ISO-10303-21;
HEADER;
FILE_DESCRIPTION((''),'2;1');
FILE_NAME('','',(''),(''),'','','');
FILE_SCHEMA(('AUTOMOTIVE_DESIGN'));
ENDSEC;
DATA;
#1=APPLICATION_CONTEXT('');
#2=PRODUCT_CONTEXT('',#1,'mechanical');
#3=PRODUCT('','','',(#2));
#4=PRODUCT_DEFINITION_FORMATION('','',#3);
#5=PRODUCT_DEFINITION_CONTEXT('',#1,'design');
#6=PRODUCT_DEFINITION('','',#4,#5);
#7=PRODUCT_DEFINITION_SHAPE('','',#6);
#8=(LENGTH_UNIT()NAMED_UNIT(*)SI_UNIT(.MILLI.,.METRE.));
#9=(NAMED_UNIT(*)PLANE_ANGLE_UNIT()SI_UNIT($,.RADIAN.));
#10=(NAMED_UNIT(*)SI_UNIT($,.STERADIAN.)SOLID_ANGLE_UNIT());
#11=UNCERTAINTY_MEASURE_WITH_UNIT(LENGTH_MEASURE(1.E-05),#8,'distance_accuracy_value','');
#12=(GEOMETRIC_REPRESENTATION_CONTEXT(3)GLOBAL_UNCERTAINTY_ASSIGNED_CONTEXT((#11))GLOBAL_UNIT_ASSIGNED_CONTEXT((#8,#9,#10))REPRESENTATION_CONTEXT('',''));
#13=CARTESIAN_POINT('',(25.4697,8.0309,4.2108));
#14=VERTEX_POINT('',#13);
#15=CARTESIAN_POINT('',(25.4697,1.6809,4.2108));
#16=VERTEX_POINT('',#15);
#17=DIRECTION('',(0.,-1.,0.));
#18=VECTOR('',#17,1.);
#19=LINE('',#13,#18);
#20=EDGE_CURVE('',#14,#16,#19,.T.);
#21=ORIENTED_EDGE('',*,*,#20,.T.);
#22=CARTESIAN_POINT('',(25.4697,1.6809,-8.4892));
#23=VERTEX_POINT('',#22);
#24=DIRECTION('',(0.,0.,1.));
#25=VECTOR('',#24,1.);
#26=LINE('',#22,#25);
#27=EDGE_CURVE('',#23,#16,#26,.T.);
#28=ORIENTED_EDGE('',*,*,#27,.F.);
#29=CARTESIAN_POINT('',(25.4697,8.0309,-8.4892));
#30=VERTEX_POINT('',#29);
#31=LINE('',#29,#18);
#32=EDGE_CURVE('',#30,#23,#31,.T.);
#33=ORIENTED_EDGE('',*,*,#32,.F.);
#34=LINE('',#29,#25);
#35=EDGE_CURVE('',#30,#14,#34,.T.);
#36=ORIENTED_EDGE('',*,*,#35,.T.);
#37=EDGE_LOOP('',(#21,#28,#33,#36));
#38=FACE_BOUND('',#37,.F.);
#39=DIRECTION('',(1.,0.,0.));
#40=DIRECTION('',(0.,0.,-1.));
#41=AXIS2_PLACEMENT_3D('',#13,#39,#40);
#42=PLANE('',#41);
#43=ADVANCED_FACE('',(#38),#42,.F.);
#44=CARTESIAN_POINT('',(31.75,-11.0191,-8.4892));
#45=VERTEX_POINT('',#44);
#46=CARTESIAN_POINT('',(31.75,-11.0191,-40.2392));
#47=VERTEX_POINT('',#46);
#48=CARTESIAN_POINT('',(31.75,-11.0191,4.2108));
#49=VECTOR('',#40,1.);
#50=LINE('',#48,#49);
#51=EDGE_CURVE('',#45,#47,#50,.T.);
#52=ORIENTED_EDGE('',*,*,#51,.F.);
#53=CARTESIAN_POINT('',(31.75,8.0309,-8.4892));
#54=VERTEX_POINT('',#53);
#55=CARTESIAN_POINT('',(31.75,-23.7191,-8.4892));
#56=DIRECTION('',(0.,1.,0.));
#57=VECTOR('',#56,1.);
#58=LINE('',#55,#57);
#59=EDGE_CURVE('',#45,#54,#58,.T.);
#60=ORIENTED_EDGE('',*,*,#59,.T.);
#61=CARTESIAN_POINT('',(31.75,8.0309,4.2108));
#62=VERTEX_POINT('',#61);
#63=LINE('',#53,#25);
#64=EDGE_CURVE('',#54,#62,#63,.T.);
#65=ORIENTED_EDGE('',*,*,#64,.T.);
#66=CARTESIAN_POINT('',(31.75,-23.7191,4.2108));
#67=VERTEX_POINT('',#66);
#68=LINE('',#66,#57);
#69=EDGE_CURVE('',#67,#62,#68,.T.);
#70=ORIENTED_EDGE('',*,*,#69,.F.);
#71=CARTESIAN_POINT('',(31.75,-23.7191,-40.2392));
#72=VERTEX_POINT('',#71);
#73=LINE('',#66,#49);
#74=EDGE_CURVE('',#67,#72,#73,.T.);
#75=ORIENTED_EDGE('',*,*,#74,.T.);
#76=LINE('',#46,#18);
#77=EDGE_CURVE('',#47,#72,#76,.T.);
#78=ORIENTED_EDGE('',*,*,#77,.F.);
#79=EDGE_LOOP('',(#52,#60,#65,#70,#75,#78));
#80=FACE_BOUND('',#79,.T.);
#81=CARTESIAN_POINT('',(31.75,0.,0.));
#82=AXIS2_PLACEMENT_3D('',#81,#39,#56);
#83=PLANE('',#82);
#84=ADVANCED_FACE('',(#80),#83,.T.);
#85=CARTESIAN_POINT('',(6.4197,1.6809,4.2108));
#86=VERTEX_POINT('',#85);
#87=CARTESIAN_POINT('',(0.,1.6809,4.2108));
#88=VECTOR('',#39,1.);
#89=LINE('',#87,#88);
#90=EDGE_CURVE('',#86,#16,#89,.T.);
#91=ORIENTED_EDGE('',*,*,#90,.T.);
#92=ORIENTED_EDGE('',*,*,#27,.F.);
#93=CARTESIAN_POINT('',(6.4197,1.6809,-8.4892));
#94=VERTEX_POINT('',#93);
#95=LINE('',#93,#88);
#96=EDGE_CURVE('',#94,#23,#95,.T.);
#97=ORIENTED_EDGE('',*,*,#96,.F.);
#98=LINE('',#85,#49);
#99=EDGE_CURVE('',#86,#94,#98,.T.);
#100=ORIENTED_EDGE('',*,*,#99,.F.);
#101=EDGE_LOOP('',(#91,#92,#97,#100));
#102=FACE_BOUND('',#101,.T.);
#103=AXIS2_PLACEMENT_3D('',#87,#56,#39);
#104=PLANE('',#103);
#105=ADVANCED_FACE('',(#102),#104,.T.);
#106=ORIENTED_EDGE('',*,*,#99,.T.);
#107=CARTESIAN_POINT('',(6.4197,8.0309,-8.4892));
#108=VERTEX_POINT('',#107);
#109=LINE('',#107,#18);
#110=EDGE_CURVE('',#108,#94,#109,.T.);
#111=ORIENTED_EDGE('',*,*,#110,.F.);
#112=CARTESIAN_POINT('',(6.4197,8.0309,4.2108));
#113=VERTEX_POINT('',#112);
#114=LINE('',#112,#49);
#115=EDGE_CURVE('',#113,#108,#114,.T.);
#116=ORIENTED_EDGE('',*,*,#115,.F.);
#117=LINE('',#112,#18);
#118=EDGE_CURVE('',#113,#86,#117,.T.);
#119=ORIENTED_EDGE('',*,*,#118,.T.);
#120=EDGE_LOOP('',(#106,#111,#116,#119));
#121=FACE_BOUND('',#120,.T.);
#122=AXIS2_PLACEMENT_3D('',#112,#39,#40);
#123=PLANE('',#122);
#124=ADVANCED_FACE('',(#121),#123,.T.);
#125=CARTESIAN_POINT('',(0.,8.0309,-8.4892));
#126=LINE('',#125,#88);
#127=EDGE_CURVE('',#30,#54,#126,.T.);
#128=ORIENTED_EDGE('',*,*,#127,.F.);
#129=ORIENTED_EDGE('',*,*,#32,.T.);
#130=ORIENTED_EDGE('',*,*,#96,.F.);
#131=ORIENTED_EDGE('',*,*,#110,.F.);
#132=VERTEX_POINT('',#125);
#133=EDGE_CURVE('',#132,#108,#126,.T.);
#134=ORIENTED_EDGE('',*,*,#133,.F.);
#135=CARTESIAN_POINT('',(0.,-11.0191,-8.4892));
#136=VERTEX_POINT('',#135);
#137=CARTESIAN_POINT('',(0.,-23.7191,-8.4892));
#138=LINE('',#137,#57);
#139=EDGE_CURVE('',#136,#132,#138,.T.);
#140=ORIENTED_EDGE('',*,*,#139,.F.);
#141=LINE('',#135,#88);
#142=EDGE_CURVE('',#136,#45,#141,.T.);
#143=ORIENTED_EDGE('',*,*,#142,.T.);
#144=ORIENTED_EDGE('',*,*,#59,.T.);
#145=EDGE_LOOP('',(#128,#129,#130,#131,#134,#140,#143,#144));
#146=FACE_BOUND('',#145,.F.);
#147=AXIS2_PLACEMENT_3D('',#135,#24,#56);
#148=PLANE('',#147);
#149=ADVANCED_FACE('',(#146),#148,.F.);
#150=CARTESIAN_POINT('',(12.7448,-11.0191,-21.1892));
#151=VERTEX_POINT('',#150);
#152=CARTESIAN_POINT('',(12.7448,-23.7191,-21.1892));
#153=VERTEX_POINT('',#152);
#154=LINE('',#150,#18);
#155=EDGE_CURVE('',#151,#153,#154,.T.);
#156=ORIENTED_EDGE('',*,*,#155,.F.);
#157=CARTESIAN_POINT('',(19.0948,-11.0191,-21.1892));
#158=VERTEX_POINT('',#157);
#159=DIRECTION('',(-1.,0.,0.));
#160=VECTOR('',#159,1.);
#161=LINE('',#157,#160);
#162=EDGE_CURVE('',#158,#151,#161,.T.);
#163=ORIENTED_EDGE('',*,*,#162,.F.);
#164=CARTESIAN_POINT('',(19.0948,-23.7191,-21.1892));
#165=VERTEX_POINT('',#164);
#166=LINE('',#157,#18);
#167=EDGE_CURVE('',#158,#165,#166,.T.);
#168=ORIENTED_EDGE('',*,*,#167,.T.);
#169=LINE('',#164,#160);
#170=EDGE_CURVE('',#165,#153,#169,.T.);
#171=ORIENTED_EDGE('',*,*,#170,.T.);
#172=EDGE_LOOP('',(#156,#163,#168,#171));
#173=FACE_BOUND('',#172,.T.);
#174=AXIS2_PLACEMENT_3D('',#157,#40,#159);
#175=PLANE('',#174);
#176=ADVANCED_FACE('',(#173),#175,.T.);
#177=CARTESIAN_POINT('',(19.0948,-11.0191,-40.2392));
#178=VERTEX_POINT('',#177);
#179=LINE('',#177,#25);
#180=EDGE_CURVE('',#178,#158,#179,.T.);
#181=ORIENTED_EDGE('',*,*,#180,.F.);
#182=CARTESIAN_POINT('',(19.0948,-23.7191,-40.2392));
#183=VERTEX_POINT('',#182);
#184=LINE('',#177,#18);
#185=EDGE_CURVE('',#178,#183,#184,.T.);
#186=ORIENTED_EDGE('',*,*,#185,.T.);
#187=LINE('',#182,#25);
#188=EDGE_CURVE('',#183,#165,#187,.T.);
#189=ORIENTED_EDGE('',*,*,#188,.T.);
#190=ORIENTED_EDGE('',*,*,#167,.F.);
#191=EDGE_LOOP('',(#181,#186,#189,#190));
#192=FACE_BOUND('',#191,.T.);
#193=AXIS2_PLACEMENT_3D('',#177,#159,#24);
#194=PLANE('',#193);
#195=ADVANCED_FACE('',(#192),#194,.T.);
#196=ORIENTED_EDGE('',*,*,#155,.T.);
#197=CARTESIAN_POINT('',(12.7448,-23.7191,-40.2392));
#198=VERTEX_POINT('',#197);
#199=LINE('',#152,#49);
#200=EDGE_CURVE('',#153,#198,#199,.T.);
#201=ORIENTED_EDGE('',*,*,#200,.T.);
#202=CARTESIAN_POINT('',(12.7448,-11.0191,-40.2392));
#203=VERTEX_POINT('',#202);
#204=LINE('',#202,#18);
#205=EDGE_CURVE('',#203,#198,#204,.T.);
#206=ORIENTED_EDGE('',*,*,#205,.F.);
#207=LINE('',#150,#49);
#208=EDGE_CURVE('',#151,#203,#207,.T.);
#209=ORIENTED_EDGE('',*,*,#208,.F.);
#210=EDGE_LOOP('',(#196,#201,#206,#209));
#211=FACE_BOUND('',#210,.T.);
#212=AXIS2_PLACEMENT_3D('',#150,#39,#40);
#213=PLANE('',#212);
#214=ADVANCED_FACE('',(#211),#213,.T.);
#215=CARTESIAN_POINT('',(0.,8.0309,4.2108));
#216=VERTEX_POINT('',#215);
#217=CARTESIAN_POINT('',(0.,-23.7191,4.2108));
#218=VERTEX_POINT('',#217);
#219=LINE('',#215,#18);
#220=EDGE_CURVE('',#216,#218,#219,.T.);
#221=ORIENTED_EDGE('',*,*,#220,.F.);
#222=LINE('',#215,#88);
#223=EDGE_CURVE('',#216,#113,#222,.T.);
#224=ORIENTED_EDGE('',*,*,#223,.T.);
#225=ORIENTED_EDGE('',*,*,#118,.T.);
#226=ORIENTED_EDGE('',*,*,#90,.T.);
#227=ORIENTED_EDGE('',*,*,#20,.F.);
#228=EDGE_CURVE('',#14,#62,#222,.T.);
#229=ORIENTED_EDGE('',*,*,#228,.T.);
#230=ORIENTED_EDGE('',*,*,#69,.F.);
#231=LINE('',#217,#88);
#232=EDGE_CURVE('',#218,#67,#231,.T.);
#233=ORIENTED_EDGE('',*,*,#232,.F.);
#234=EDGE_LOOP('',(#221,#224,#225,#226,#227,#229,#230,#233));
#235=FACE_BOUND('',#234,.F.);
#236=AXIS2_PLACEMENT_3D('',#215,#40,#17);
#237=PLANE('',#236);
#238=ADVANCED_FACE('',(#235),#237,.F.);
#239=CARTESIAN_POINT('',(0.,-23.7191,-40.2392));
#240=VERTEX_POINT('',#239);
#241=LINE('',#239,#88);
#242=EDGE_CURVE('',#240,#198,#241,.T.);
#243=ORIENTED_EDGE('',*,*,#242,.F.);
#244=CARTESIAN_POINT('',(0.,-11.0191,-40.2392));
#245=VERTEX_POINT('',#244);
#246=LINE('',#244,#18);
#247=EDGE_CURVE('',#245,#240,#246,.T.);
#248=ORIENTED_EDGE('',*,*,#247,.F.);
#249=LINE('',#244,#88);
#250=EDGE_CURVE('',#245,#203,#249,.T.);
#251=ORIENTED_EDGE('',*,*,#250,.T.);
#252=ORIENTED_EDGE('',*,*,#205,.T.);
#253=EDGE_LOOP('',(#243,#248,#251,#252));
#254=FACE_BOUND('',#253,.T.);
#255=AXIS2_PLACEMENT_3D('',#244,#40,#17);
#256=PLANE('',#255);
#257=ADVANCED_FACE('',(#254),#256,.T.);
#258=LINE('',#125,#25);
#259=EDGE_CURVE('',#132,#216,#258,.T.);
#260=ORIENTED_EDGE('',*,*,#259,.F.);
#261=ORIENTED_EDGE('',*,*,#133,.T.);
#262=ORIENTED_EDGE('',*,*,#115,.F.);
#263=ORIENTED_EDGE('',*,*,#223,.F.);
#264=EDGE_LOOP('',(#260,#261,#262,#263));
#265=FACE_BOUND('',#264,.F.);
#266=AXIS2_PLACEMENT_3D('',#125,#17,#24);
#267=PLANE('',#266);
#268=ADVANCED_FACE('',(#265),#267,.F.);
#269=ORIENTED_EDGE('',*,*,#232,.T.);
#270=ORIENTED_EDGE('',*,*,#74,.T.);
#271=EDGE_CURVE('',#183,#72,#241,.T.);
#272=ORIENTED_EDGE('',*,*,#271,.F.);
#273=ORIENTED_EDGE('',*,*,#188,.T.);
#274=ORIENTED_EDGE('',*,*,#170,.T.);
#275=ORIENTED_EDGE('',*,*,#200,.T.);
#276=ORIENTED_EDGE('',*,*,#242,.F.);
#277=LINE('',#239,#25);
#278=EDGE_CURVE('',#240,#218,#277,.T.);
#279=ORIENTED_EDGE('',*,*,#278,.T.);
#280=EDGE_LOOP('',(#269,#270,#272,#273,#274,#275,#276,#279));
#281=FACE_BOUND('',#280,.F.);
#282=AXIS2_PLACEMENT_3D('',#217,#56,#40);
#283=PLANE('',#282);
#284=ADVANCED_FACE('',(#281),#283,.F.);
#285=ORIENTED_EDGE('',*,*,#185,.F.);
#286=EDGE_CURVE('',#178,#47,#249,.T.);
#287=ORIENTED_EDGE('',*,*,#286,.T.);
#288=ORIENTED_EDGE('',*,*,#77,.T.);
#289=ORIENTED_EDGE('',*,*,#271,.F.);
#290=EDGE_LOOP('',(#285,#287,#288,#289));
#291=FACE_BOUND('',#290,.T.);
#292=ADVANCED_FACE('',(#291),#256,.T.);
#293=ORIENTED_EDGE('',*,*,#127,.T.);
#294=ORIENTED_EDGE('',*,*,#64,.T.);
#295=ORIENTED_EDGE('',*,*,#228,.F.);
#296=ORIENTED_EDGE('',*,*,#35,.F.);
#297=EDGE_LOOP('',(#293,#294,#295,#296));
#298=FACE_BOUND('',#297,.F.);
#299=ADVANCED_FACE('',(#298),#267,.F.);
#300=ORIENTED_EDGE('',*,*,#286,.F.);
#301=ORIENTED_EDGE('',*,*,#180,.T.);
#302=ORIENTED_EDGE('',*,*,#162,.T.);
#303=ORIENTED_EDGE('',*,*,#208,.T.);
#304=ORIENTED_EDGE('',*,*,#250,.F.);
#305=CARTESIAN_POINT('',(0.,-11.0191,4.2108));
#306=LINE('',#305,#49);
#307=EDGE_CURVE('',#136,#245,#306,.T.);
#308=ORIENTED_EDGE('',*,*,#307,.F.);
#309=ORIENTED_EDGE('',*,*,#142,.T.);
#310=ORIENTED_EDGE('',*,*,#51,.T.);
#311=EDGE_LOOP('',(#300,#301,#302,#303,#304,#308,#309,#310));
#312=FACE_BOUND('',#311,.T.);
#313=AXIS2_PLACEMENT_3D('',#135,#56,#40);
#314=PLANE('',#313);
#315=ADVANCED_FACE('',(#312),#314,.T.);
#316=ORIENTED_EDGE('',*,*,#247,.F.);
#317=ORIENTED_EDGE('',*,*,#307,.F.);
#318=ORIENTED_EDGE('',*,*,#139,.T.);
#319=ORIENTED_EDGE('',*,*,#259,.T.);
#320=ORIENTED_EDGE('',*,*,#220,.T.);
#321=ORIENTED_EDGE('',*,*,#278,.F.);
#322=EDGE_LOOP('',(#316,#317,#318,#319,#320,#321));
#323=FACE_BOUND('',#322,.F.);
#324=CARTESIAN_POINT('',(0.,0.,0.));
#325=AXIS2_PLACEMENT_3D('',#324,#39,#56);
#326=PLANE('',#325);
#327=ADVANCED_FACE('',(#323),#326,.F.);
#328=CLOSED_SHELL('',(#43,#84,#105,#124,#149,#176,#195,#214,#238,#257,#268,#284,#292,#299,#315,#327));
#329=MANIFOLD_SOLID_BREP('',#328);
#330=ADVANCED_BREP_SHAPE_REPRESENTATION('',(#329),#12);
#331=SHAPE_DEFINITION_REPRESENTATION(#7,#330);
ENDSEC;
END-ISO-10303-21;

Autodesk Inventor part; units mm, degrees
ref_plane "YZ Plane" through (0, 0, 0) normal (1, 0, 0) x (0, 1, 0)
ref_plane "XZ Plane" through (0, 0, 0) normal (0, 1, 0) x (-1, 0, 0)
ref_plane "XY Plane" through (0, 0, 0) normal (0, 0, 1) x (1, 0, 0)
sketch "Sketch1" plane through (0, 0, 0) normal (1, 0, 0) x (0, 1, 0)
  line L0 (8.0309, 4.2108) -> (-23.7191, 4.2108)
  line L1 (-23.7191, 4.2108) -> (-23.7191, -8.4892)
  line L2 (-23.7191, -8.4892) -> (8.0309, -8.4892)
  line L3 (8.0309, -8.4892) -> (8.0309, 4.2108)
  line L4 (-23.7191, 4.2108) -> (-11.0191, 4.2108)
  line L5 (-11.0191, 4.2108) -> (-11.0191, -40.2392)
  line L6 (-11.0191, -40.2392) -> (-23.7191, -40.2392)
  line L7 (-23.7191, -40.2392) -> (-23.7191, 4.2108)
  point P0 (0, 0)
  dimension "d0" = 31.75
  dimension "d1" = 12.7
  dimension "d2" = 44.45
  dimension "d3" = 12.7
extrude "Extrusion1" add sketch "Sketch1" along normal blind 31.75
sketch "Sketch2" plane through (0, -11.0191, -8.4892) normal (0, 1, 0) x (1, 0, 0)
  line L0 (0, 31.75) -> (31.75, 31.75) projected
  line L1 (12.7448, 31.75) -> (19.0948, 31.75)
  line L2 (19.0948, 31.75) -> (19.0948, 12.7)
  line L3 (19.0948, 12.7) -> (12.7448, 12.7)
  line L4 (12.7448, 12.7) -> (12.7448, 31.75)
  line L5 (0, -12.7) -> (0, 31.75) projected
  line L6 (0, 31.75) -> (12.7, 31.75)
  line L7 (12.7, 31.75) -> (12.7, 29.079)
  line L8 (0, 29.079) -> (0, 31.75)
  point P0 (0, -8.4892)
  dimension "d6" = 6.35
  dimension "d7" = 19.05
  dimension "d8" = 12.7
extrude "Extrusion2" cut sketch "Sketch2" against normal blind 12.7
sketch "Sketch3" plane through (0, 8.0309, 4.2108) normal (0, 1, 0) x (1, 0, 0)
  line L0 (0, 0) -> (31.75, 0) projected
  line L1 (31.75, 0) -> (25.4697, 0)
  line L2 (25.4697, 0) -> (25.4697, 6.35)
  line L3 (25.4697, 0) -> (6.4197, 0)
  line L4 (6.4197, 0) -> (6.4197, 12.7)
  line L5 (6.4197, 12.7) -> (25.4697, 12.7)
  line L6 (25.4697, 12.7) -> (25.4697, 0)
  line L7 (0, 0) -> (6.35, 0)
  line L8 (6.35, 0) -> (6.35, 2.265)
  line L9 (0, 2.265) -> (0, 0)
  point P0 (0, 4.2108)
  dimension "d11" = 6.35
  dimension "d12" = 19.05
  dimension "d13" = 12.7
extrude "Extrusion3" cut sketch "Sketch3" against normal blind 6.35
